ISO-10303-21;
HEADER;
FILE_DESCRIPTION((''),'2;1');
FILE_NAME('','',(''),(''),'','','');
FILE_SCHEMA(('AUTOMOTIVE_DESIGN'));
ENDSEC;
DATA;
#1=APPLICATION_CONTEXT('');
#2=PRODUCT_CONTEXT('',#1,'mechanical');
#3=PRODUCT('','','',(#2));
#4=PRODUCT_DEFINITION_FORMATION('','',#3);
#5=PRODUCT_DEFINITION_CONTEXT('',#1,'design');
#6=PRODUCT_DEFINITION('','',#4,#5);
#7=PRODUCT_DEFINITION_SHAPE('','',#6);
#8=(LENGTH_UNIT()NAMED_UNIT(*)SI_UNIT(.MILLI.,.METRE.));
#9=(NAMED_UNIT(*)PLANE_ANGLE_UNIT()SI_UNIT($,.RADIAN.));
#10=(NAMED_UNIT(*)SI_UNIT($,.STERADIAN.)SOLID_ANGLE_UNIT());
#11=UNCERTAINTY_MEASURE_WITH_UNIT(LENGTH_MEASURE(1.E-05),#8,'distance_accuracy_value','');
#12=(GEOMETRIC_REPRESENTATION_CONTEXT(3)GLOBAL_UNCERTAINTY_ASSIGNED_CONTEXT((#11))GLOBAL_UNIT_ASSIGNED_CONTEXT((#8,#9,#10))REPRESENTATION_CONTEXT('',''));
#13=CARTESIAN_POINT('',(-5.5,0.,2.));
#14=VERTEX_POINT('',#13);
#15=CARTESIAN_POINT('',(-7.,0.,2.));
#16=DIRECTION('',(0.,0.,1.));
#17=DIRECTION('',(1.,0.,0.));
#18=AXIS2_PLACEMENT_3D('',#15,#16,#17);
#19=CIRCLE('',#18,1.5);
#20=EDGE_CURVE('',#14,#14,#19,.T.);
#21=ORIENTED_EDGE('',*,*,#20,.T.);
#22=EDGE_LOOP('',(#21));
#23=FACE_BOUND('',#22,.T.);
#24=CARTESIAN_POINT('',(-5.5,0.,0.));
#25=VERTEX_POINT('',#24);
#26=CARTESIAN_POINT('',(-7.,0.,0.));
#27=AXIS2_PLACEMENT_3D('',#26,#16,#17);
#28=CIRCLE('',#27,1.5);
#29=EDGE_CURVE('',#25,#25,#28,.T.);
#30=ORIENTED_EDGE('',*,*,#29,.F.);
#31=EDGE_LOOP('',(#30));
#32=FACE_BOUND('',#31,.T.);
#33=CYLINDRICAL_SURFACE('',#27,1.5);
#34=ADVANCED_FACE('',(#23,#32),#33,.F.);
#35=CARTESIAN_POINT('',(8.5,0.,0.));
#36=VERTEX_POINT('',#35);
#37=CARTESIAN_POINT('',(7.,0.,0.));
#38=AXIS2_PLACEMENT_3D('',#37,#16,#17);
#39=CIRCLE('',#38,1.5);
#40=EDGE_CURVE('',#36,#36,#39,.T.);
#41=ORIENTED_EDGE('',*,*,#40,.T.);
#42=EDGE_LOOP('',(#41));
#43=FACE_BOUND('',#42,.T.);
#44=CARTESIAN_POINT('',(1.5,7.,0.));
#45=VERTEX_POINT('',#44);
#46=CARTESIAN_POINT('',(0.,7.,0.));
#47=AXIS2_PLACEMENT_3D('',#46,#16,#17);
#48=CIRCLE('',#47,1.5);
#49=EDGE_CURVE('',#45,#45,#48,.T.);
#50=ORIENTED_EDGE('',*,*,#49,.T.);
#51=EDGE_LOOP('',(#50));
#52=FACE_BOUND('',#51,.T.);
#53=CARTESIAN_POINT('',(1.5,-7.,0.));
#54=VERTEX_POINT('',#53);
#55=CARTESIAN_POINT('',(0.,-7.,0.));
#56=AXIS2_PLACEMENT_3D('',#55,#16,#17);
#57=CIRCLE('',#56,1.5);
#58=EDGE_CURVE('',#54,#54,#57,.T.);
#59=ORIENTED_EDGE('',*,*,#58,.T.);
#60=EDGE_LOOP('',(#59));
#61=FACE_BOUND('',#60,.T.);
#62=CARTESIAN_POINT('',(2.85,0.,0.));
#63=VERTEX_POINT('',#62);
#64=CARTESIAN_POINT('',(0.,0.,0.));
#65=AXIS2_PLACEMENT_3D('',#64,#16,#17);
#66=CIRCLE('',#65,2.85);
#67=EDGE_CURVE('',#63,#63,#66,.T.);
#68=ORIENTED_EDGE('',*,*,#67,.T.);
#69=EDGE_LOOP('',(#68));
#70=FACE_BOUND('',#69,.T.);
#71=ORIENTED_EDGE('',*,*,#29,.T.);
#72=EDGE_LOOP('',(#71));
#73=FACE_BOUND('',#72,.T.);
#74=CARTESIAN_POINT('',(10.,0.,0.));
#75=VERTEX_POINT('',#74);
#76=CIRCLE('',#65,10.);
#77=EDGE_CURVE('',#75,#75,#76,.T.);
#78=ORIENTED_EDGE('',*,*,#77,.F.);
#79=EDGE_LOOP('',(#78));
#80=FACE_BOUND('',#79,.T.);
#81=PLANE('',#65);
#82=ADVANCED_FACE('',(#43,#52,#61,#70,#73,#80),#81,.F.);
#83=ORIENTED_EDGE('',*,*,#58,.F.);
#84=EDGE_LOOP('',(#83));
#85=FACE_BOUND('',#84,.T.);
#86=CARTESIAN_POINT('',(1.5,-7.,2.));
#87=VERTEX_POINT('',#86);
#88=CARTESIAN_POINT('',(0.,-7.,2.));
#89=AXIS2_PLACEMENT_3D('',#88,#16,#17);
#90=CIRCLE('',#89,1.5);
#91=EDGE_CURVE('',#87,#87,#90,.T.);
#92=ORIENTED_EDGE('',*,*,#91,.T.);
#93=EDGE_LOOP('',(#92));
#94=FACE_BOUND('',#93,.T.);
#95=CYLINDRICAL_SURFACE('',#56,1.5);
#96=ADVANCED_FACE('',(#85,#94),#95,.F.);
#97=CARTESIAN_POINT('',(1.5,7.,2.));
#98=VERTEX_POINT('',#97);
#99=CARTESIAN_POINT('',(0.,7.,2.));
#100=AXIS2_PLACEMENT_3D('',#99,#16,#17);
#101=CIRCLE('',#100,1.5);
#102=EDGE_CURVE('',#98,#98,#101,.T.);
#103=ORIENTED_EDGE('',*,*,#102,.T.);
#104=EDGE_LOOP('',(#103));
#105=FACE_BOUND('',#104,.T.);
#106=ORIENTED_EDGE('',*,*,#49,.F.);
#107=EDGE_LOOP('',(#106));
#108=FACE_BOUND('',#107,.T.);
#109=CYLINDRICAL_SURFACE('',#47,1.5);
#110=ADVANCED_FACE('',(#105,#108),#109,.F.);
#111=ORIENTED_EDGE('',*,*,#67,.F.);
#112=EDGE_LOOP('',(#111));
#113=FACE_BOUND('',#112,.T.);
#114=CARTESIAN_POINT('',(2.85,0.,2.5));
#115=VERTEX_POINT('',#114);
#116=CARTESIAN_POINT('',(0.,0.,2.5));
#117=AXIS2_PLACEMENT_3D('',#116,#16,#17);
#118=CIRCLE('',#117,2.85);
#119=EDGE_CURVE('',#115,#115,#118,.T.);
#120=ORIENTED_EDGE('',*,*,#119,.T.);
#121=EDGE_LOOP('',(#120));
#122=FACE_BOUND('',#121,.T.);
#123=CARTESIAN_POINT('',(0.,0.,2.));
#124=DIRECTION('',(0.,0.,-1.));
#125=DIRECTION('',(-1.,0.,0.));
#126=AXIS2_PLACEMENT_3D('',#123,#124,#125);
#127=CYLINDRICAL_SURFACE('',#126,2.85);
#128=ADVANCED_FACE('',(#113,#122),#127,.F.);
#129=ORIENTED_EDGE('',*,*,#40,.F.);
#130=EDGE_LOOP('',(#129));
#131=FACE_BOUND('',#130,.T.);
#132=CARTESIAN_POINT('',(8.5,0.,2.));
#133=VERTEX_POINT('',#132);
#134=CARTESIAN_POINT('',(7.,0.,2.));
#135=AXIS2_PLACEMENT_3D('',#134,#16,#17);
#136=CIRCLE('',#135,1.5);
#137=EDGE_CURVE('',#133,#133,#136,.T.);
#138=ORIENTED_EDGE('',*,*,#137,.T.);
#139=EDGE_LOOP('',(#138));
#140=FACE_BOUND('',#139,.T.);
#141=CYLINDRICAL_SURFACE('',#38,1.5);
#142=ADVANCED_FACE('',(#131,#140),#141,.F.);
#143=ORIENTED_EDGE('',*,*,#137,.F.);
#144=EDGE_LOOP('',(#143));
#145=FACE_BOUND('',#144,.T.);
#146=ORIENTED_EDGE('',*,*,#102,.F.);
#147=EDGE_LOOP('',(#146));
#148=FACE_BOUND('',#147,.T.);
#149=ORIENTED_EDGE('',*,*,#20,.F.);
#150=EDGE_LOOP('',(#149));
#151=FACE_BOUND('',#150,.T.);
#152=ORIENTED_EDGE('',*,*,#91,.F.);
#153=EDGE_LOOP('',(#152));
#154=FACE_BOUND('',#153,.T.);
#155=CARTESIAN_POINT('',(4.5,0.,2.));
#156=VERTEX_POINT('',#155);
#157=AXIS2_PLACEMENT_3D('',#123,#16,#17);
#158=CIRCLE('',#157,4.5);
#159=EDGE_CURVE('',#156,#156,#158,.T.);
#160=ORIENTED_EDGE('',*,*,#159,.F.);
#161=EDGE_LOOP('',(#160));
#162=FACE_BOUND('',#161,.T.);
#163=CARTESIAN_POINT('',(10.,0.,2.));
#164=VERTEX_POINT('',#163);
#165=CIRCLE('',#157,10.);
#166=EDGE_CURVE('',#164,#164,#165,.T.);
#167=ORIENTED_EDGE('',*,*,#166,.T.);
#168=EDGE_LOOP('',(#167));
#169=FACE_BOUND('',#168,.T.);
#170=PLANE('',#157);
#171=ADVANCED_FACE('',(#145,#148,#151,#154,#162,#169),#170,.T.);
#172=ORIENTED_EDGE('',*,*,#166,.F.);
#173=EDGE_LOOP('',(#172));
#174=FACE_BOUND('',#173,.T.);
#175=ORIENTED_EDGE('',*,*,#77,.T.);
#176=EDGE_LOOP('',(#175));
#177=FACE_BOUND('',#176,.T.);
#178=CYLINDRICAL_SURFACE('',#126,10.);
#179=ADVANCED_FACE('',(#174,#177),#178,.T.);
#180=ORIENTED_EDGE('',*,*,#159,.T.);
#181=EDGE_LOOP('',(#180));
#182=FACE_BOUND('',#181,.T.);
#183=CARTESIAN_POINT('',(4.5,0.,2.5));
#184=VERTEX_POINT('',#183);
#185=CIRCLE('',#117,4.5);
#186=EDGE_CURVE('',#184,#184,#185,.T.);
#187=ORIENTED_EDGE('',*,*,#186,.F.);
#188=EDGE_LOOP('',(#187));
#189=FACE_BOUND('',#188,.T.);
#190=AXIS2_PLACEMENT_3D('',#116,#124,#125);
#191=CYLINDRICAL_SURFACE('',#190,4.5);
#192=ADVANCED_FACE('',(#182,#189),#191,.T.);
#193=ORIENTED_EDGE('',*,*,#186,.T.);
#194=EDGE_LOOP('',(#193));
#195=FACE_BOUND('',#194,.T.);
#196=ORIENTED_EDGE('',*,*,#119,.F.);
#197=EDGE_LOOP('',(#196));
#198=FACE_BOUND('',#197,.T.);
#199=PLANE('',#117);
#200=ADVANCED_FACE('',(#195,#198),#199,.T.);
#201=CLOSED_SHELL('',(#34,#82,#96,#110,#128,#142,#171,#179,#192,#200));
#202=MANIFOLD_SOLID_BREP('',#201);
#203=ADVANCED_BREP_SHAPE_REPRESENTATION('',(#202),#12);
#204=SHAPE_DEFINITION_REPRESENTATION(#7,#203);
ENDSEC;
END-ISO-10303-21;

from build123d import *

# Parameters (mm, degrees)
ESQUISSE1_R             = 10
ESQUISSE1_R_2           = 2.85
BOSS_EXTRU_1_DEPTH      = 2
ESQUISSE2_R             = 4.5
ESQUISSE2_R_2           = 2.85
BOSS_EXTRU_2_DEPTH      = 0.5
ESQUISSE3_R             = 1.5
ENL_V_MAT_EXTRU_1_DEPTH = 3


with BuildPart() as part:
    # Esquisse1 → Boss.-Extru.1 (new body)
    with BuildSketch(Plane.XY):
        Circle(ESQUISSE1_R)
        Circle(ESQUISSE1_R_2, mode=Mode.SUBTRACT)
    extrude(amount=BOSS_EXTRU_1_DEPTH)

    # Esquisse2 → Boss.-Extru.2 (add)
    with BuildSketch(Plane.XY.offset(2)):
        Circle(ESQUISSE2_R)
        Circle(ESQUISSE2_R_2, mode=Mode.SUBTRACT)
    extrude(amount=BOSS_EXTRU_2_DEPTH)

    # Esquisse3 → Enlèv. mat.-Extru.1 (cut, through all)
    with BuildSketch(Plane.XY.offset(2)):
        with Locations((0, 7)):
            Circle(ESQUISSE3_R)
        with Locations((0, -7)):
            Circle(ESQUISSE3_R)
        with Locations((7, 0)):
            Circle(ESQUISSE3_R)
        with Locations((-7, 0)):
            Circle(ESQUISSE3_R)
    extrude(amount=-ENL_V_MAT_EXTRU_1_DEPTH, mode=Mode.SUBTRACT)


solid = part.part
